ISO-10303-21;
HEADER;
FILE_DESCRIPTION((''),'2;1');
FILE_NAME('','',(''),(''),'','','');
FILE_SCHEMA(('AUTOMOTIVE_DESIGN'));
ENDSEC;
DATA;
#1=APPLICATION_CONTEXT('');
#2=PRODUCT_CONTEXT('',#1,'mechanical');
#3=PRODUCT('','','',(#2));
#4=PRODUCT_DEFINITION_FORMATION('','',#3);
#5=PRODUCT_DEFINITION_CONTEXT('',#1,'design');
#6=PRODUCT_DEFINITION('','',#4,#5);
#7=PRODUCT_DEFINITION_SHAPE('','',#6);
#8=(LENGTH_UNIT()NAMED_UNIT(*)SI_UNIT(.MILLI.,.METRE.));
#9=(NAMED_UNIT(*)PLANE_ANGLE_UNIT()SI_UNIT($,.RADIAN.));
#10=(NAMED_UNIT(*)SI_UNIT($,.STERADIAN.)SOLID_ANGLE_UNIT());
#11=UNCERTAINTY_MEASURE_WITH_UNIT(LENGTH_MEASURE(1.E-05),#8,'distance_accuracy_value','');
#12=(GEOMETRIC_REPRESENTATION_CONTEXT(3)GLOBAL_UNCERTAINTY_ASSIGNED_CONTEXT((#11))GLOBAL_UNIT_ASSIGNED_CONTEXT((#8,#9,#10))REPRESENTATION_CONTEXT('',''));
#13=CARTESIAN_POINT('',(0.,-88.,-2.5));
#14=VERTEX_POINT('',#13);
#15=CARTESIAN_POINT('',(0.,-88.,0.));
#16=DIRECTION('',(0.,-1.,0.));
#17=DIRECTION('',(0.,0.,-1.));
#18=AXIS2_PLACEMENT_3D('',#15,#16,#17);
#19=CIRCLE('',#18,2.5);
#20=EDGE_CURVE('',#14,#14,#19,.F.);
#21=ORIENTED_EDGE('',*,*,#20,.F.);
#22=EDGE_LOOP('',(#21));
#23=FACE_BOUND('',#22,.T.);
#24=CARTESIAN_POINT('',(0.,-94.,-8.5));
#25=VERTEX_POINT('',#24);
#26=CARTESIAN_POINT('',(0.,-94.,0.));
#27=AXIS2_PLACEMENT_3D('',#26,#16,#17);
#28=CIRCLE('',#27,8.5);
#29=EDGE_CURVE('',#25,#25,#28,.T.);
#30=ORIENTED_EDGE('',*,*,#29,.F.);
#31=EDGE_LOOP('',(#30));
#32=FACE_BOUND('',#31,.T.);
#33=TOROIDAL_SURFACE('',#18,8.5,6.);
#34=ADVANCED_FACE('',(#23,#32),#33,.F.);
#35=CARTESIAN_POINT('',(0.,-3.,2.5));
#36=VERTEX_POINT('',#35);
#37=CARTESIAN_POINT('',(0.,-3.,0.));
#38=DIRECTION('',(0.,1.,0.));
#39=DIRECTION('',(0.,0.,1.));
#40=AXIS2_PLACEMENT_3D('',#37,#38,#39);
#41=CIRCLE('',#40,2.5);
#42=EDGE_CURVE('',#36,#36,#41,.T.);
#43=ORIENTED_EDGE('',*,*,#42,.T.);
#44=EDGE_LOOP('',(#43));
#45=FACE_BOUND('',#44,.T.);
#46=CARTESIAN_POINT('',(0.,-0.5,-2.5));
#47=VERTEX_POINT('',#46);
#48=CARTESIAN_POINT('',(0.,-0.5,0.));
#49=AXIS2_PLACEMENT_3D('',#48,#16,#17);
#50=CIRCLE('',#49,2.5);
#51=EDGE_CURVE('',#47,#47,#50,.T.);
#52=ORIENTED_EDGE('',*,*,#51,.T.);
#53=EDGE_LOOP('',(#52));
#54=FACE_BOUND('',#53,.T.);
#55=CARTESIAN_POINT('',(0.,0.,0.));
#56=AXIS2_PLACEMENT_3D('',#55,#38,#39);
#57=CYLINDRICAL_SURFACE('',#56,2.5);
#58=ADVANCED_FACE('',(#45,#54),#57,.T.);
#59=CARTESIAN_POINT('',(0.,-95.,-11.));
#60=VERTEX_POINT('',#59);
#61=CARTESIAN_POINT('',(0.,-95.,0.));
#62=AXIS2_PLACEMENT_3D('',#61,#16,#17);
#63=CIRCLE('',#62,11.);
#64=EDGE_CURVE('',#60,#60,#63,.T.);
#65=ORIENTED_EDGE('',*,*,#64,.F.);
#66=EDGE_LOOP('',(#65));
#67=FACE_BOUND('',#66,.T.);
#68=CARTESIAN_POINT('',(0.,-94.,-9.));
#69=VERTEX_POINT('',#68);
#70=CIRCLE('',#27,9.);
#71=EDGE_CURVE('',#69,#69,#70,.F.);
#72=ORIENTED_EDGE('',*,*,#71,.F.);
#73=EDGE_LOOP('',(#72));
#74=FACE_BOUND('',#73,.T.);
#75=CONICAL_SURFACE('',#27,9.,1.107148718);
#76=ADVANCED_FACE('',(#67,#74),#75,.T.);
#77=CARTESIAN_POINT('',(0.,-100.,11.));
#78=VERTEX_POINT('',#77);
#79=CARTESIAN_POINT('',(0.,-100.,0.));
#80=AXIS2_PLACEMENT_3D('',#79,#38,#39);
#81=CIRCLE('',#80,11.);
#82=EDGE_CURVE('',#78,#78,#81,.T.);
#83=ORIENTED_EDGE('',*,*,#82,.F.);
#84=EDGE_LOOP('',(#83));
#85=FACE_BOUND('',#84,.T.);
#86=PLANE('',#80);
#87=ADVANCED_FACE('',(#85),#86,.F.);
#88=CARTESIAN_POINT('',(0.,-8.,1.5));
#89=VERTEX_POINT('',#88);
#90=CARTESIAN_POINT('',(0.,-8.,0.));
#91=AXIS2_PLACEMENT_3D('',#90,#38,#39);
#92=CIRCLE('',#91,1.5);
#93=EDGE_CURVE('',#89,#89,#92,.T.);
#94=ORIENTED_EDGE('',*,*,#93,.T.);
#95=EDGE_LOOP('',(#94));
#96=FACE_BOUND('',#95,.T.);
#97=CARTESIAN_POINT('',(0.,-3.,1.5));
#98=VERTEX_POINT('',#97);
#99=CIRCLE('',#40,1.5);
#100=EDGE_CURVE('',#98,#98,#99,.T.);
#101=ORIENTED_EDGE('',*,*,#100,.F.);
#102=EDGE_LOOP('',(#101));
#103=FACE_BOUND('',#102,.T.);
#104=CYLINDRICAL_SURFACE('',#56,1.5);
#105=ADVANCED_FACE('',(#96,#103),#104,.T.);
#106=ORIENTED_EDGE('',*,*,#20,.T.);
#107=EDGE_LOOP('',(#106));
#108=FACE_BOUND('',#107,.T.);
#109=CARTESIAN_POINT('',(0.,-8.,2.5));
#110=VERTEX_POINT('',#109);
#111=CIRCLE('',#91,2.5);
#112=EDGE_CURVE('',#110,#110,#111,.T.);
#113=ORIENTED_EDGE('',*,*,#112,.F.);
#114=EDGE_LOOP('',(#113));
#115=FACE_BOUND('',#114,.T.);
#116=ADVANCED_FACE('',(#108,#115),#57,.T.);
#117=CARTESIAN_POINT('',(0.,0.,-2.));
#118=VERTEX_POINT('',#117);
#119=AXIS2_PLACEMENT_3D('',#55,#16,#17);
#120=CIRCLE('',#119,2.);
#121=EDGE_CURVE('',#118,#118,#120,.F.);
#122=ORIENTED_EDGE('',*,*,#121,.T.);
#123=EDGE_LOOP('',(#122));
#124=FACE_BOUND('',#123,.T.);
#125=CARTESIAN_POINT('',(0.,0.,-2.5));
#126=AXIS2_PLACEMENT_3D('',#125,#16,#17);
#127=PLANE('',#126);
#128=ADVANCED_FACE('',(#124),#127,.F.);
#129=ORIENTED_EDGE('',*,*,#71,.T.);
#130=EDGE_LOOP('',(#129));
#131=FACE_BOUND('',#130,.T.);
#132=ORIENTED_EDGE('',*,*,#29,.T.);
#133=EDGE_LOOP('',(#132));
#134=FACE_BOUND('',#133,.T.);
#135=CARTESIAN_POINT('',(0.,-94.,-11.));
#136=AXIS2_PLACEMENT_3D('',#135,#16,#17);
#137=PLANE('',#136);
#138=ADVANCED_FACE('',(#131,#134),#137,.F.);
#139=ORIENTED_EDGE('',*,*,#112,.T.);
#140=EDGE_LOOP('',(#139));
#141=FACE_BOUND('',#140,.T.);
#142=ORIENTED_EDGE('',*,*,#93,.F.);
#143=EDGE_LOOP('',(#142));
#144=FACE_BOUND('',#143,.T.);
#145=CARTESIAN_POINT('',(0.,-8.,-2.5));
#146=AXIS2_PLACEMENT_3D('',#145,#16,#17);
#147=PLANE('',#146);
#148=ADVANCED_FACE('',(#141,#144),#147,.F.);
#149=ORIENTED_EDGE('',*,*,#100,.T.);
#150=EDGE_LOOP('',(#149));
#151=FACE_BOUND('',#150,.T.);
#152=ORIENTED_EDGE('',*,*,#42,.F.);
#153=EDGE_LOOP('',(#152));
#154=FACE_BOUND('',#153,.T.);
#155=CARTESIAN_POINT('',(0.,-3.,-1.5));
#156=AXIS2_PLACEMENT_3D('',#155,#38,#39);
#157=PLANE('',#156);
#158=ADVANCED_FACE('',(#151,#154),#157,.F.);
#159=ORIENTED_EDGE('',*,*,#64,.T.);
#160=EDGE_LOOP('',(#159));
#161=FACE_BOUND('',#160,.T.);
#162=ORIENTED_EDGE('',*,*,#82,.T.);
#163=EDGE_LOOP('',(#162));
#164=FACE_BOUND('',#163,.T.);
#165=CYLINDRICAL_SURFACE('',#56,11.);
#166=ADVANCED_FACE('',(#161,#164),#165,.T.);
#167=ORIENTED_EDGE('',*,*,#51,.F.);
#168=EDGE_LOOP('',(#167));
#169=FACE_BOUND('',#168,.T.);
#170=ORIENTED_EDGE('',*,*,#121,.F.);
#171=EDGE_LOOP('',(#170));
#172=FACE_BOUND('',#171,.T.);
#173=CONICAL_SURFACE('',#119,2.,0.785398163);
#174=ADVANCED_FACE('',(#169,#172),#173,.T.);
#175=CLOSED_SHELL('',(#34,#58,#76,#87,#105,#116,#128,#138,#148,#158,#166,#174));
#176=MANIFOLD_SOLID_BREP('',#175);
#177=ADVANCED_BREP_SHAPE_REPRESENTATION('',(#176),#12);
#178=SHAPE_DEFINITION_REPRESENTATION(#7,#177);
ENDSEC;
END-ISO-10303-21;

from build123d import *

# Parameters (mm, degrees)
FILLET1_R      = 6
CHAMFER1_SIZE  = 1
CHAMFER1_SIZE2 = 2
CHAMFER3_SIZE  = 0.5


with BuildPart() as part:
    # Sketch1 → Revolve1 (revolve)
    with BuildSketch(Plane(origin=(0, 0, 0), x_dir=(0, 0, -1), z_dir=(1, 0, 0))):
        Polygon((0, 0), (0, -100), (11, -100), (11, -94), (2.5, -94), (2.5, -8), (1.5, -8), (1.5, -3), (2.5, -3), (2.5, 0), align=None)
    revolve(axis=Axis((0, 0, 0), (0, -1, 0)))

    # Fillet1
    fillet1_edges = [part.edges().sort_by_distance(p)[0] for p in [
        (0, -94, 2.5),
    ]]
    fillet(fillet1_edges, radius=FILLET1_R)

    # Chamfer1
    chamfer1_edges = [part.edges().sort_by_distance(p)[0] for p in [
        (0, -94, 11),
    ]]
    chamfer1_side = [part.faces().sort_by_distance(p)[0] for p in [
        (0, -97, 11),
    ]]
    chamfer(chamfer1_edges, length=CHAMFER1_SIZE, length2=CHAMFER1_SIZE2, reference=chamfer1_side[0])

    # Chamfer3
    chamfer3_edges = [part.edges().sort_by_distance(p)[0] for p in [
        (0, 0, 2.5),
    ]]
    chamfer(chamfer3_edges, length=CHAMFER3_SIZE)


solid = part.part
